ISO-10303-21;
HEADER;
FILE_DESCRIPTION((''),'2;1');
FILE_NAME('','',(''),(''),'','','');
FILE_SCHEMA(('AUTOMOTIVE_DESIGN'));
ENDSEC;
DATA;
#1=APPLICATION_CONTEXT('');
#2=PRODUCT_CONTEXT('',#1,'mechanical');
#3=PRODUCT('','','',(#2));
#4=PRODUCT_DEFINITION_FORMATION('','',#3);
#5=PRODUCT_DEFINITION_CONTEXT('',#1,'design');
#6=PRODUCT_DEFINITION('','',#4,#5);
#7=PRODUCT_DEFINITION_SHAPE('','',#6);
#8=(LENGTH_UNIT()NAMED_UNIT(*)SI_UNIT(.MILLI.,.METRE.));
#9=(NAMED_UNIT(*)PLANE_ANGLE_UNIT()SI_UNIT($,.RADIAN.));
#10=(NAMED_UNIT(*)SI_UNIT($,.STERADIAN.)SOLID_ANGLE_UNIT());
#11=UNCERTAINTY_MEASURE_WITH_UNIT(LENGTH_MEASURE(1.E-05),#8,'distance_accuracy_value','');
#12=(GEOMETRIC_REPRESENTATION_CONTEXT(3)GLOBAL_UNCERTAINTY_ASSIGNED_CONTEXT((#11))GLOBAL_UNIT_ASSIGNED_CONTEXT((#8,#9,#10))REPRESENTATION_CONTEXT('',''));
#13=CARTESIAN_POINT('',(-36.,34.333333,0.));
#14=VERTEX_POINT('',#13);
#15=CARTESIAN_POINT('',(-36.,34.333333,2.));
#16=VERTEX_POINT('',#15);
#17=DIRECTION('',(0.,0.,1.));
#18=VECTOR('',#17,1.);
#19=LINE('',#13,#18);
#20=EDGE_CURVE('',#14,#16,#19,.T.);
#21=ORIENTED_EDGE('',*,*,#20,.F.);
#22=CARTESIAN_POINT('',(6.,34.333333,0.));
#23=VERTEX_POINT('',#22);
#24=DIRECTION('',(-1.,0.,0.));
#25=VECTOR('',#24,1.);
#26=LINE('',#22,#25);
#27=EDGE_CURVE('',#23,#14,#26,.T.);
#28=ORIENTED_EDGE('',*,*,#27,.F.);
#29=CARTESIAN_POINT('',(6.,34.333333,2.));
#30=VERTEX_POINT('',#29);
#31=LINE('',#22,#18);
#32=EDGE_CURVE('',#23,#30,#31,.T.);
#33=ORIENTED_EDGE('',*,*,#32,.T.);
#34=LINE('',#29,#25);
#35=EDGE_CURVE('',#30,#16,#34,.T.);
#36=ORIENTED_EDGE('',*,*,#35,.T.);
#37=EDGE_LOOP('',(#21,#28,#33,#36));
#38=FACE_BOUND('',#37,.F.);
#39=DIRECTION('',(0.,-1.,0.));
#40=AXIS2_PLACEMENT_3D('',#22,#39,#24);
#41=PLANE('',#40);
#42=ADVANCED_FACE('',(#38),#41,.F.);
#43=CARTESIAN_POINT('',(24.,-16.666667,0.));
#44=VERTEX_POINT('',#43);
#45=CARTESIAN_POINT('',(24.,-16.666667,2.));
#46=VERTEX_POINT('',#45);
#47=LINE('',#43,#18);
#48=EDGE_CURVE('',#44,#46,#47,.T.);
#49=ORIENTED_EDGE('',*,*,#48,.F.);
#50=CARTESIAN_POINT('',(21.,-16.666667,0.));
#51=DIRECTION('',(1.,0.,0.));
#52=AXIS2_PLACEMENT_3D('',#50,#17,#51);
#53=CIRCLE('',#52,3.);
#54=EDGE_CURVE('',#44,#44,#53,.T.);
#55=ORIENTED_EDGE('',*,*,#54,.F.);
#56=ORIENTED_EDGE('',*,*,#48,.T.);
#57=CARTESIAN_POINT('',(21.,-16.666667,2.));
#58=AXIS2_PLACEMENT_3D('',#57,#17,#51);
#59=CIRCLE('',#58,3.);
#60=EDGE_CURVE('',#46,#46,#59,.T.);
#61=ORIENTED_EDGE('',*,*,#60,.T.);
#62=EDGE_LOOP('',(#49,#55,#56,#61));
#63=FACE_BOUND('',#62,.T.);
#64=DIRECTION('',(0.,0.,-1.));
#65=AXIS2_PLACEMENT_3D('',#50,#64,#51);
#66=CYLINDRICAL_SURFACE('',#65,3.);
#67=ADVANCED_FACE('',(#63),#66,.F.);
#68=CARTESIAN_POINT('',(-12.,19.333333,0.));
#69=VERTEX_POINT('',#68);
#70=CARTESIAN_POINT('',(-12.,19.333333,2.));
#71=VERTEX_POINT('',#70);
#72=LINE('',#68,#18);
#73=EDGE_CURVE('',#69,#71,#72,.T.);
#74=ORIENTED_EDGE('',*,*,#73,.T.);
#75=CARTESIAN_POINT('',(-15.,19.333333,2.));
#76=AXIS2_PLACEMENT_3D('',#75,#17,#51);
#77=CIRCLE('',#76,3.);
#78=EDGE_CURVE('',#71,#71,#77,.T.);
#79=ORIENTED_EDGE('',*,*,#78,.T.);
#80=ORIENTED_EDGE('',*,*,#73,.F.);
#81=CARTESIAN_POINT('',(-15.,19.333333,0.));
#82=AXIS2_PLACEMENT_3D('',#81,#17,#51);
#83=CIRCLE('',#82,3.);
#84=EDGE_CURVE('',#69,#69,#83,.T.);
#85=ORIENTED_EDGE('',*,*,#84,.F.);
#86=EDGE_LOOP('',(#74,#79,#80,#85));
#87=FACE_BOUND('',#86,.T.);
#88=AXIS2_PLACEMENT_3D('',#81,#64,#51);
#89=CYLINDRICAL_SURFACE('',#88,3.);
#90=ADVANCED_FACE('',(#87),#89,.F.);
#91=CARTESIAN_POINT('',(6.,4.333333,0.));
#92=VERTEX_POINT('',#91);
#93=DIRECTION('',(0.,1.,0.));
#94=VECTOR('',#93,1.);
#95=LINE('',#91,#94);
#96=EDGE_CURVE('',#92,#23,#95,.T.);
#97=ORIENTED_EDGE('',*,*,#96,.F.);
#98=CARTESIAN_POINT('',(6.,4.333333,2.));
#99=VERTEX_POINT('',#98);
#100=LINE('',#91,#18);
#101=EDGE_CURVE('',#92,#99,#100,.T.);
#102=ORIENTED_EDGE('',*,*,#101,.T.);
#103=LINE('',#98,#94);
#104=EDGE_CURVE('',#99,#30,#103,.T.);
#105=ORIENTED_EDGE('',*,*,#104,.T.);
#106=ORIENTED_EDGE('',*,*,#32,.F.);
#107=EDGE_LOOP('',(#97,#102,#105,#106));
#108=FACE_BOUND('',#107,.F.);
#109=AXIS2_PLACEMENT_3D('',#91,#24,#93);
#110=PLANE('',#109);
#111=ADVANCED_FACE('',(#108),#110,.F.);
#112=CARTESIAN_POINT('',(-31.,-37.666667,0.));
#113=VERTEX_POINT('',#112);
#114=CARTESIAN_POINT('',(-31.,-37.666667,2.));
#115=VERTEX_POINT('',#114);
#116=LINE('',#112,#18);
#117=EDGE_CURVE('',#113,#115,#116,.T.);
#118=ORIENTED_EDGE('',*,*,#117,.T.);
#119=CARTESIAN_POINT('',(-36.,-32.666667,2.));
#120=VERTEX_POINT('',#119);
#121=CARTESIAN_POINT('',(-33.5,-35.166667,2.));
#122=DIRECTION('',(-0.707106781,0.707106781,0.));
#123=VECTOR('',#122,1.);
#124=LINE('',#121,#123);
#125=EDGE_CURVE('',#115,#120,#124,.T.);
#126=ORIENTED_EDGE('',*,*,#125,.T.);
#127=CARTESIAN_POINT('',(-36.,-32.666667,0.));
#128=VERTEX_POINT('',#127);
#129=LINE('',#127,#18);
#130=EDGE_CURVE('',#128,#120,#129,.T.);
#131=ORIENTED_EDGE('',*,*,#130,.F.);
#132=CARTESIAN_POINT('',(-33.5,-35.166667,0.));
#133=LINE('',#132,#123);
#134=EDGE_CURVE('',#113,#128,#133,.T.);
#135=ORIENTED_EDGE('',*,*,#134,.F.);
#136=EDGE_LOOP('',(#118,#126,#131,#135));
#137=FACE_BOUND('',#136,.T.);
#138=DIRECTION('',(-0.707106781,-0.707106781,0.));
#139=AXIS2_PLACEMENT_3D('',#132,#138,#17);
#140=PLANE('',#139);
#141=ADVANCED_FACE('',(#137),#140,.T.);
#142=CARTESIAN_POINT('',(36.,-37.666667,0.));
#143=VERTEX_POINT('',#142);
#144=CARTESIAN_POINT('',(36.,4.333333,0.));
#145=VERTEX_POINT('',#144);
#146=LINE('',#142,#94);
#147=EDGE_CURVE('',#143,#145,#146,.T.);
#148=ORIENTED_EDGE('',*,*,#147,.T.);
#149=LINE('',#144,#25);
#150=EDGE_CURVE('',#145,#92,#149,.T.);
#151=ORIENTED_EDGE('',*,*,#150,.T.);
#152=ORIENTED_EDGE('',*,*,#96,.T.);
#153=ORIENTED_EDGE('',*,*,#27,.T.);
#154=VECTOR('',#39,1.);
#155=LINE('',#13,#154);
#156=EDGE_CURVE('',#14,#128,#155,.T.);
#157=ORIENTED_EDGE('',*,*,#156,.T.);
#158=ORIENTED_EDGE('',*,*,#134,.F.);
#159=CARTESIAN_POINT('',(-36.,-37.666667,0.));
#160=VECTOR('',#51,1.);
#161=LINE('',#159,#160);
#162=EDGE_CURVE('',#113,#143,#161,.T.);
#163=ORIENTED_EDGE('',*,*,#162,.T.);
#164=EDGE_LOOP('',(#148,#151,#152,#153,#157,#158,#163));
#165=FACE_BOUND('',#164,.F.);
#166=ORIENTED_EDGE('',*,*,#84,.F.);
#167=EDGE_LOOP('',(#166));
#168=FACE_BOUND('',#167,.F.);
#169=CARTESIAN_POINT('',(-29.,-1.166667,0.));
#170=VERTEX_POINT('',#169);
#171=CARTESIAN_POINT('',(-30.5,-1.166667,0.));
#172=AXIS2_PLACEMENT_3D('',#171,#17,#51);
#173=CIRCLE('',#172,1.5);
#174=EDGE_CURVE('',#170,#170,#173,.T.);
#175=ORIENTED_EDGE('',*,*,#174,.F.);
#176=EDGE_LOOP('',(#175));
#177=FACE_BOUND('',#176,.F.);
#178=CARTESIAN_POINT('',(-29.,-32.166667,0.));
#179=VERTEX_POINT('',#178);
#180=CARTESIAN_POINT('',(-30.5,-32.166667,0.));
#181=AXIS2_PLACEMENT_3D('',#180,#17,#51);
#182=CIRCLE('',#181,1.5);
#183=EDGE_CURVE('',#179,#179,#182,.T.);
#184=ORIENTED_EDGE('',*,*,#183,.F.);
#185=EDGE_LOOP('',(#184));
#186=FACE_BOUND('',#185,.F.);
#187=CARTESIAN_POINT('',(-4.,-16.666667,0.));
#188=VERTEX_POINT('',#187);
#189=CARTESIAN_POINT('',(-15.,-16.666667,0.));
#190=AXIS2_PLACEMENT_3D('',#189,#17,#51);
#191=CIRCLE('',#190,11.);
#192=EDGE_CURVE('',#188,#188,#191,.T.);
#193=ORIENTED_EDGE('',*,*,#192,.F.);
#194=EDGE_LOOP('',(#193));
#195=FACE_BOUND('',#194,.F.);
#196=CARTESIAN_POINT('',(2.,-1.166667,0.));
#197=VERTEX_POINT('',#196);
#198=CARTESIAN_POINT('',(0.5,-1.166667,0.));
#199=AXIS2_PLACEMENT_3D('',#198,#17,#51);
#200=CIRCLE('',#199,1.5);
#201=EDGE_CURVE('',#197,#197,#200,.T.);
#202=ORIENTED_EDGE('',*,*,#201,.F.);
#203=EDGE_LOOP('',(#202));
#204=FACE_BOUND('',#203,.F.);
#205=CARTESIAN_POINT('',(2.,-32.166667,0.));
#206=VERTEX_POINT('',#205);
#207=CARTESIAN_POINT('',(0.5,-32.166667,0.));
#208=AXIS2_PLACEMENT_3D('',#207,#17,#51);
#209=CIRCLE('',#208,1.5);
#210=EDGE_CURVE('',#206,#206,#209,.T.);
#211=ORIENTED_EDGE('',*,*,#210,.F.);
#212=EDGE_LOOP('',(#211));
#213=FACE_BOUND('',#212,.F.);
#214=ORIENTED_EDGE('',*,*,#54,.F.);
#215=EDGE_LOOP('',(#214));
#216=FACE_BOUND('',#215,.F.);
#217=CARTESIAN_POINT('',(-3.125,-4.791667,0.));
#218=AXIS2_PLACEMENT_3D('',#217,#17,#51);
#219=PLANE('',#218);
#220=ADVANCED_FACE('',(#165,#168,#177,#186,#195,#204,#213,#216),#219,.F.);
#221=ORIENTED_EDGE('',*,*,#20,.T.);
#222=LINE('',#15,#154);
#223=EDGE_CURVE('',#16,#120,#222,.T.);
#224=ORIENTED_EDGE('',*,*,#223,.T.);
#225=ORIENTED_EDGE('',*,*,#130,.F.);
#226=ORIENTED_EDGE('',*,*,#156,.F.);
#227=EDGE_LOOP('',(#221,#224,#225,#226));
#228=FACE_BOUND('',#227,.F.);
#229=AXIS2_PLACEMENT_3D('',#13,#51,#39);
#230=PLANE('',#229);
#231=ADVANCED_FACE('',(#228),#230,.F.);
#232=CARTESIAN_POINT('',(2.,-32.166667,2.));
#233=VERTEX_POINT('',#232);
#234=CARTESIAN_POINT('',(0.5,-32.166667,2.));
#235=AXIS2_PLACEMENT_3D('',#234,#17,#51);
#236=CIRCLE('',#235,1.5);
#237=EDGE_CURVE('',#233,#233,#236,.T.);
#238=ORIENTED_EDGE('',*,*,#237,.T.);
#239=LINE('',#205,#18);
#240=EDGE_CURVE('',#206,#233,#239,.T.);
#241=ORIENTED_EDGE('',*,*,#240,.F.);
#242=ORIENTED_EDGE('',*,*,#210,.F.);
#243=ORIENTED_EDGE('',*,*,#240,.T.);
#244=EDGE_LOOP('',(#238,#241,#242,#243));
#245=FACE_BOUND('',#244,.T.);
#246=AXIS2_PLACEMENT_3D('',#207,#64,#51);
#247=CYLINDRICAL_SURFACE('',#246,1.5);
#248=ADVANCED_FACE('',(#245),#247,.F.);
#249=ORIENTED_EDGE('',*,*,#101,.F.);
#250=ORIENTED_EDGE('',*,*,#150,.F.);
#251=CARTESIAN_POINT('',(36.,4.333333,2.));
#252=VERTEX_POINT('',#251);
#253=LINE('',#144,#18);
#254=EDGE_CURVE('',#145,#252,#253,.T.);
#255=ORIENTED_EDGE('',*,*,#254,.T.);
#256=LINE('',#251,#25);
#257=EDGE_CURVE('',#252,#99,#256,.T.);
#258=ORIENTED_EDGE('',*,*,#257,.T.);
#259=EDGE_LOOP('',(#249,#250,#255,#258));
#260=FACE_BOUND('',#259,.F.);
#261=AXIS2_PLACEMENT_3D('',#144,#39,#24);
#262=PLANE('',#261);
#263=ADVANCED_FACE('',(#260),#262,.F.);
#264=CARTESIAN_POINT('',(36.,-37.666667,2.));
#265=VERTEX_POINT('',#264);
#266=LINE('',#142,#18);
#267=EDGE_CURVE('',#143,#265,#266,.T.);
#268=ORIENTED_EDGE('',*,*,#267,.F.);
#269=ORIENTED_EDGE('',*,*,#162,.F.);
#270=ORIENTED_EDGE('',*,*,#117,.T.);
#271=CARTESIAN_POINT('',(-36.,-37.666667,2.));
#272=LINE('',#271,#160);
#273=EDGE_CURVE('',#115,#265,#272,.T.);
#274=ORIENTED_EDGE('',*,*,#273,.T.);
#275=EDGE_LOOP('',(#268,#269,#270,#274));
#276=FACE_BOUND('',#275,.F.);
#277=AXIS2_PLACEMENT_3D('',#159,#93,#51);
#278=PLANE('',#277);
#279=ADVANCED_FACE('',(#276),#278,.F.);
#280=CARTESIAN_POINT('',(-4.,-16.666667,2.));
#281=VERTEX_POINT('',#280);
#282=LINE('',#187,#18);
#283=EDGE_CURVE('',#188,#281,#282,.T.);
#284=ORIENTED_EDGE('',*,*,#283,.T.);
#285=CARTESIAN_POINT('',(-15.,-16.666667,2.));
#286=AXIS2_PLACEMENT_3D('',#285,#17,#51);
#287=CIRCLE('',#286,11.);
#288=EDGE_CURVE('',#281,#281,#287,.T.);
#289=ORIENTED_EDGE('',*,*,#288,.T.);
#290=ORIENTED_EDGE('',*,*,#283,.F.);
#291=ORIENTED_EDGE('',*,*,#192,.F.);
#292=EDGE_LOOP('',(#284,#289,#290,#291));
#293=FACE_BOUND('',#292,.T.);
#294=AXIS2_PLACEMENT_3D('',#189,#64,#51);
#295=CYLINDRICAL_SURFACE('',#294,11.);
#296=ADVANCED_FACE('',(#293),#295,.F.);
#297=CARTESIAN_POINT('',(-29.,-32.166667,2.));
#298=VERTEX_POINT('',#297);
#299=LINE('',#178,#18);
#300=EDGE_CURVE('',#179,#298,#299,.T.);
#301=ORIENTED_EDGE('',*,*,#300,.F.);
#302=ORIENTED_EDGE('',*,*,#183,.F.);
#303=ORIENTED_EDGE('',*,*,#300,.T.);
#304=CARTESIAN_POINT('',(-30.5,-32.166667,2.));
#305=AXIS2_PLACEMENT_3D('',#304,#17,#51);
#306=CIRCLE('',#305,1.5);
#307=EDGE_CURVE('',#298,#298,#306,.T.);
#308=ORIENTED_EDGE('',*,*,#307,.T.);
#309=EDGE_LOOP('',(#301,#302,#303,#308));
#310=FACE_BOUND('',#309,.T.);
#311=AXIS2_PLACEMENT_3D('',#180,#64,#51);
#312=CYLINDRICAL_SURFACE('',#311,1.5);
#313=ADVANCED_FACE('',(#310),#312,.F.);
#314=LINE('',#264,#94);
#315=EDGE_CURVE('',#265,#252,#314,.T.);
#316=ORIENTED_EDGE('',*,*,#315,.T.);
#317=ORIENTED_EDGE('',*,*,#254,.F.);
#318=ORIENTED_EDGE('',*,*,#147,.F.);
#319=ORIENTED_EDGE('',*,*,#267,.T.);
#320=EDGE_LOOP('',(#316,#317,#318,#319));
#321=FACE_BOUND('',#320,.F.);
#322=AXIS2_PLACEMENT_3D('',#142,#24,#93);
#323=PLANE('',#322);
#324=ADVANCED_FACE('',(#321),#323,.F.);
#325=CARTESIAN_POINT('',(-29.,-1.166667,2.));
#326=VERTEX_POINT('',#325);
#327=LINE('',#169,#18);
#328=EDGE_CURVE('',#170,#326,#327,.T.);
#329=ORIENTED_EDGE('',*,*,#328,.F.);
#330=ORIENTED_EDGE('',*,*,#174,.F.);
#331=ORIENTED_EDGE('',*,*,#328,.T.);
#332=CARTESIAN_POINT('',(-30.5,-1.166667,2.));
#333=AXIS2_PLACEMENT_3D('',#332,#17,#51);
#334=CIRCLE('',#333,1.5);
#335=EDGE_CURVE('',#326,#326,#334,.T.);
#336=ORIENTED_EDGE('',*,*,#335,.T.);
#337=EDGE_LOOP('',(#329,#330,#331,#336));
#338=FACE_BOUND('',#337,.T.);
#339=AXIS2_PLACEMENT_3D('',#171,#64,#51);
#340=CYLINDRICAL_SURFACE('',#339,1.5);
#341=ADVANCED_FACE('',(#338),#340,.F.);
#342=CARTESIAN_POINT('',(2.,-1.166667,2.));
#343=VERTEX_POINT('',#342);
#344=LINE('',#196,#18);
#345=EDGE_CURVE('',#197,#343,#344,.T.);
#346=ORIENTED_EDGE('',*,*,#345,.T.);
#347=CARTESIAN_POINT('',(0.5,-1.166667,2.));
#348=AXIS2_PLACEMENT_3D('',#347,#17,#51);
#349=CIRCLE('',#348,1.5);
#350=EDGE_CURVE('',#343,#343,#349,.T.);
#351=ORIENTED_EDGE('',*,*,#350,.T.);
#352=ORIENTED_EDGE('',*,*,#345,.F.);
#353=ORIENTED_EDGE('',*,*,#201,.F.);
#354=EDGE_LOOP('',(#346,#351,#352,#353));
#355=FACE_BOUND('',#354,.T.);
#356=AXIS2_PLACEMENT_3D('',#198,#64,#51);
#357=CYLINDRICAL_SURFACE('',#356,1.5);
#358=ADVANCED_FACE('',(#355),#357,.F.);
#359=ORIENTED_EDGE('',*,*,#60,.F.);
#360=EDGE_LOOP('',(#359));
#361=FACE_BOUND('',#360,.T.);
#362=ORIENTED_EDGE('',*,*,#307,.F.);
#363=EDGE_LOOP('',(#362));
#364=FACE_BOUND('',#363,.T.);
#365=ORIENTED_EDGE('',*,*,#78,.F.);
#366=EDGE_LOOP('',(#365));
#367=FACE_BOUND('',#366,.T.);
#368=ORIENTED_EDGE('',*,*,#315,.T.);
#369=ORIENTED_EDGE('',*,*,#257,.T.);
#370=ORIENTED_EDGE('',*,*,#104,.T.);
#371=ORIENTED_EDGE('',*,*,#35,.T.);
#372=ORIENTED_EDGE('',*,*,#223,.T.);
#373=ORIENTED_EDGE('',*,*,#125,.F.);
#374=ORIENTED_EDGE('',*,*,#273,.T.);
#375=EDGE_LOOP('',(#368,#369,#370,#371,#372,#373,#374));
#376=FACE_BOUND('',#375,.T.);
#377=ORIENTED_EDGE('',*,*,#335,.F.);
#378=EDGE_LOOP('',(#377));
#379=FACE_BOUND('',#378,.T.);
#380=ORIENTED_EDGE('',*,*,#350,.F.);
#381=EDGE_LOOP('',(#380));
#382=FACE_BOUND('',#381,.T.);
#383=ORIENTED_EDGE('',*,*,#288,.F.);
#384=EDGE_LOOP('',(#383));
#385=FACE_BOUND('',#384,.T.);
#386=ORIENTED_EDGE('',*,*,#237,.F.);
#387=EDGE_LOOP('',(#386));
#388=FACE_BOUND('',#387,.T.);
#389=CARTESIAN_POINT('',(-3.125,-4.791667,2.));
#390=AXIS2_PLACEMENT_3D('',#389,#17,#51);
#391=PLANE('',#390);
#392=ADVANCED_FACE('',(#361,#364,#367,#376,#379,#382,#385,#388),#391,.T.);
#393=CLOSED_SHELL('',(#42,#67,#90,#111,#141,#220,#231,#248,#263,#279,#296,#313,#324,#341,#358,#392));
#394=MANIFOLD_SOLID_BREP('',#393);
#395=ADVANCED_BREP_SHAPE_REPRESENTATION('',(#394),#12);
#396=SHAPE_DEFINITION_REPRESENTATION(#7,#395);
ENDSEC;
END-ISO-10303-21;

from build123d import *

# Parameters (mm, degrees)
F0_R     = 1.5
F0_R_2   = 11
F0_R_3   = 3
F1_DEPTH = 2
F2_SIZE  = 5


with BuildPart() as f1:
    # F0 (on Top) → F1 (new body)
    with BuildSketch(Plane.XY):
        Polygon((-36, -37.666667), (36, -37.666667), (36, 4.333333), (6, 4.333333), (6, 34.333333), (-36, 34.333333), align=None)
        with Locations((-30.5, -32.166667)):
            Circle(F0_R, mode=Mode.SUBTRACT)
        with Locations((-15, -16.666667)):
            Circle(F0_R_2, mode=Mode.SUBTRACT)
        with Locations((0.5, -32.166667)):
            Circle(F0_R, mode=Mode.SUBTRACT)
        with Locations((21, -16.666667)):
            Circle(F0_R_3, mode=Mode.SUBTRACT)
        with Locations((-30.5, -1.166667)):
            Circle(F0_R, mode=Mode.SUBTRACT)
        with Locations((-15, 19.333333)):
            Circle(F0_R_3, mode=Mode.SUBTRACT)
        with Locations((0.5, -1.166667)):
            Circle(F0_R, mode=Mode.SUBTRACT)
    extrude(amount=F1_DEPTH)

    # F2
    f2_edges = [f1.edges().sort_by_distance(p)[0] for p in [
        (-36, -37.666667, 1),
    ]]
    chamfer(f2_edges, length=F2_SIZE)


solid = f1.part
